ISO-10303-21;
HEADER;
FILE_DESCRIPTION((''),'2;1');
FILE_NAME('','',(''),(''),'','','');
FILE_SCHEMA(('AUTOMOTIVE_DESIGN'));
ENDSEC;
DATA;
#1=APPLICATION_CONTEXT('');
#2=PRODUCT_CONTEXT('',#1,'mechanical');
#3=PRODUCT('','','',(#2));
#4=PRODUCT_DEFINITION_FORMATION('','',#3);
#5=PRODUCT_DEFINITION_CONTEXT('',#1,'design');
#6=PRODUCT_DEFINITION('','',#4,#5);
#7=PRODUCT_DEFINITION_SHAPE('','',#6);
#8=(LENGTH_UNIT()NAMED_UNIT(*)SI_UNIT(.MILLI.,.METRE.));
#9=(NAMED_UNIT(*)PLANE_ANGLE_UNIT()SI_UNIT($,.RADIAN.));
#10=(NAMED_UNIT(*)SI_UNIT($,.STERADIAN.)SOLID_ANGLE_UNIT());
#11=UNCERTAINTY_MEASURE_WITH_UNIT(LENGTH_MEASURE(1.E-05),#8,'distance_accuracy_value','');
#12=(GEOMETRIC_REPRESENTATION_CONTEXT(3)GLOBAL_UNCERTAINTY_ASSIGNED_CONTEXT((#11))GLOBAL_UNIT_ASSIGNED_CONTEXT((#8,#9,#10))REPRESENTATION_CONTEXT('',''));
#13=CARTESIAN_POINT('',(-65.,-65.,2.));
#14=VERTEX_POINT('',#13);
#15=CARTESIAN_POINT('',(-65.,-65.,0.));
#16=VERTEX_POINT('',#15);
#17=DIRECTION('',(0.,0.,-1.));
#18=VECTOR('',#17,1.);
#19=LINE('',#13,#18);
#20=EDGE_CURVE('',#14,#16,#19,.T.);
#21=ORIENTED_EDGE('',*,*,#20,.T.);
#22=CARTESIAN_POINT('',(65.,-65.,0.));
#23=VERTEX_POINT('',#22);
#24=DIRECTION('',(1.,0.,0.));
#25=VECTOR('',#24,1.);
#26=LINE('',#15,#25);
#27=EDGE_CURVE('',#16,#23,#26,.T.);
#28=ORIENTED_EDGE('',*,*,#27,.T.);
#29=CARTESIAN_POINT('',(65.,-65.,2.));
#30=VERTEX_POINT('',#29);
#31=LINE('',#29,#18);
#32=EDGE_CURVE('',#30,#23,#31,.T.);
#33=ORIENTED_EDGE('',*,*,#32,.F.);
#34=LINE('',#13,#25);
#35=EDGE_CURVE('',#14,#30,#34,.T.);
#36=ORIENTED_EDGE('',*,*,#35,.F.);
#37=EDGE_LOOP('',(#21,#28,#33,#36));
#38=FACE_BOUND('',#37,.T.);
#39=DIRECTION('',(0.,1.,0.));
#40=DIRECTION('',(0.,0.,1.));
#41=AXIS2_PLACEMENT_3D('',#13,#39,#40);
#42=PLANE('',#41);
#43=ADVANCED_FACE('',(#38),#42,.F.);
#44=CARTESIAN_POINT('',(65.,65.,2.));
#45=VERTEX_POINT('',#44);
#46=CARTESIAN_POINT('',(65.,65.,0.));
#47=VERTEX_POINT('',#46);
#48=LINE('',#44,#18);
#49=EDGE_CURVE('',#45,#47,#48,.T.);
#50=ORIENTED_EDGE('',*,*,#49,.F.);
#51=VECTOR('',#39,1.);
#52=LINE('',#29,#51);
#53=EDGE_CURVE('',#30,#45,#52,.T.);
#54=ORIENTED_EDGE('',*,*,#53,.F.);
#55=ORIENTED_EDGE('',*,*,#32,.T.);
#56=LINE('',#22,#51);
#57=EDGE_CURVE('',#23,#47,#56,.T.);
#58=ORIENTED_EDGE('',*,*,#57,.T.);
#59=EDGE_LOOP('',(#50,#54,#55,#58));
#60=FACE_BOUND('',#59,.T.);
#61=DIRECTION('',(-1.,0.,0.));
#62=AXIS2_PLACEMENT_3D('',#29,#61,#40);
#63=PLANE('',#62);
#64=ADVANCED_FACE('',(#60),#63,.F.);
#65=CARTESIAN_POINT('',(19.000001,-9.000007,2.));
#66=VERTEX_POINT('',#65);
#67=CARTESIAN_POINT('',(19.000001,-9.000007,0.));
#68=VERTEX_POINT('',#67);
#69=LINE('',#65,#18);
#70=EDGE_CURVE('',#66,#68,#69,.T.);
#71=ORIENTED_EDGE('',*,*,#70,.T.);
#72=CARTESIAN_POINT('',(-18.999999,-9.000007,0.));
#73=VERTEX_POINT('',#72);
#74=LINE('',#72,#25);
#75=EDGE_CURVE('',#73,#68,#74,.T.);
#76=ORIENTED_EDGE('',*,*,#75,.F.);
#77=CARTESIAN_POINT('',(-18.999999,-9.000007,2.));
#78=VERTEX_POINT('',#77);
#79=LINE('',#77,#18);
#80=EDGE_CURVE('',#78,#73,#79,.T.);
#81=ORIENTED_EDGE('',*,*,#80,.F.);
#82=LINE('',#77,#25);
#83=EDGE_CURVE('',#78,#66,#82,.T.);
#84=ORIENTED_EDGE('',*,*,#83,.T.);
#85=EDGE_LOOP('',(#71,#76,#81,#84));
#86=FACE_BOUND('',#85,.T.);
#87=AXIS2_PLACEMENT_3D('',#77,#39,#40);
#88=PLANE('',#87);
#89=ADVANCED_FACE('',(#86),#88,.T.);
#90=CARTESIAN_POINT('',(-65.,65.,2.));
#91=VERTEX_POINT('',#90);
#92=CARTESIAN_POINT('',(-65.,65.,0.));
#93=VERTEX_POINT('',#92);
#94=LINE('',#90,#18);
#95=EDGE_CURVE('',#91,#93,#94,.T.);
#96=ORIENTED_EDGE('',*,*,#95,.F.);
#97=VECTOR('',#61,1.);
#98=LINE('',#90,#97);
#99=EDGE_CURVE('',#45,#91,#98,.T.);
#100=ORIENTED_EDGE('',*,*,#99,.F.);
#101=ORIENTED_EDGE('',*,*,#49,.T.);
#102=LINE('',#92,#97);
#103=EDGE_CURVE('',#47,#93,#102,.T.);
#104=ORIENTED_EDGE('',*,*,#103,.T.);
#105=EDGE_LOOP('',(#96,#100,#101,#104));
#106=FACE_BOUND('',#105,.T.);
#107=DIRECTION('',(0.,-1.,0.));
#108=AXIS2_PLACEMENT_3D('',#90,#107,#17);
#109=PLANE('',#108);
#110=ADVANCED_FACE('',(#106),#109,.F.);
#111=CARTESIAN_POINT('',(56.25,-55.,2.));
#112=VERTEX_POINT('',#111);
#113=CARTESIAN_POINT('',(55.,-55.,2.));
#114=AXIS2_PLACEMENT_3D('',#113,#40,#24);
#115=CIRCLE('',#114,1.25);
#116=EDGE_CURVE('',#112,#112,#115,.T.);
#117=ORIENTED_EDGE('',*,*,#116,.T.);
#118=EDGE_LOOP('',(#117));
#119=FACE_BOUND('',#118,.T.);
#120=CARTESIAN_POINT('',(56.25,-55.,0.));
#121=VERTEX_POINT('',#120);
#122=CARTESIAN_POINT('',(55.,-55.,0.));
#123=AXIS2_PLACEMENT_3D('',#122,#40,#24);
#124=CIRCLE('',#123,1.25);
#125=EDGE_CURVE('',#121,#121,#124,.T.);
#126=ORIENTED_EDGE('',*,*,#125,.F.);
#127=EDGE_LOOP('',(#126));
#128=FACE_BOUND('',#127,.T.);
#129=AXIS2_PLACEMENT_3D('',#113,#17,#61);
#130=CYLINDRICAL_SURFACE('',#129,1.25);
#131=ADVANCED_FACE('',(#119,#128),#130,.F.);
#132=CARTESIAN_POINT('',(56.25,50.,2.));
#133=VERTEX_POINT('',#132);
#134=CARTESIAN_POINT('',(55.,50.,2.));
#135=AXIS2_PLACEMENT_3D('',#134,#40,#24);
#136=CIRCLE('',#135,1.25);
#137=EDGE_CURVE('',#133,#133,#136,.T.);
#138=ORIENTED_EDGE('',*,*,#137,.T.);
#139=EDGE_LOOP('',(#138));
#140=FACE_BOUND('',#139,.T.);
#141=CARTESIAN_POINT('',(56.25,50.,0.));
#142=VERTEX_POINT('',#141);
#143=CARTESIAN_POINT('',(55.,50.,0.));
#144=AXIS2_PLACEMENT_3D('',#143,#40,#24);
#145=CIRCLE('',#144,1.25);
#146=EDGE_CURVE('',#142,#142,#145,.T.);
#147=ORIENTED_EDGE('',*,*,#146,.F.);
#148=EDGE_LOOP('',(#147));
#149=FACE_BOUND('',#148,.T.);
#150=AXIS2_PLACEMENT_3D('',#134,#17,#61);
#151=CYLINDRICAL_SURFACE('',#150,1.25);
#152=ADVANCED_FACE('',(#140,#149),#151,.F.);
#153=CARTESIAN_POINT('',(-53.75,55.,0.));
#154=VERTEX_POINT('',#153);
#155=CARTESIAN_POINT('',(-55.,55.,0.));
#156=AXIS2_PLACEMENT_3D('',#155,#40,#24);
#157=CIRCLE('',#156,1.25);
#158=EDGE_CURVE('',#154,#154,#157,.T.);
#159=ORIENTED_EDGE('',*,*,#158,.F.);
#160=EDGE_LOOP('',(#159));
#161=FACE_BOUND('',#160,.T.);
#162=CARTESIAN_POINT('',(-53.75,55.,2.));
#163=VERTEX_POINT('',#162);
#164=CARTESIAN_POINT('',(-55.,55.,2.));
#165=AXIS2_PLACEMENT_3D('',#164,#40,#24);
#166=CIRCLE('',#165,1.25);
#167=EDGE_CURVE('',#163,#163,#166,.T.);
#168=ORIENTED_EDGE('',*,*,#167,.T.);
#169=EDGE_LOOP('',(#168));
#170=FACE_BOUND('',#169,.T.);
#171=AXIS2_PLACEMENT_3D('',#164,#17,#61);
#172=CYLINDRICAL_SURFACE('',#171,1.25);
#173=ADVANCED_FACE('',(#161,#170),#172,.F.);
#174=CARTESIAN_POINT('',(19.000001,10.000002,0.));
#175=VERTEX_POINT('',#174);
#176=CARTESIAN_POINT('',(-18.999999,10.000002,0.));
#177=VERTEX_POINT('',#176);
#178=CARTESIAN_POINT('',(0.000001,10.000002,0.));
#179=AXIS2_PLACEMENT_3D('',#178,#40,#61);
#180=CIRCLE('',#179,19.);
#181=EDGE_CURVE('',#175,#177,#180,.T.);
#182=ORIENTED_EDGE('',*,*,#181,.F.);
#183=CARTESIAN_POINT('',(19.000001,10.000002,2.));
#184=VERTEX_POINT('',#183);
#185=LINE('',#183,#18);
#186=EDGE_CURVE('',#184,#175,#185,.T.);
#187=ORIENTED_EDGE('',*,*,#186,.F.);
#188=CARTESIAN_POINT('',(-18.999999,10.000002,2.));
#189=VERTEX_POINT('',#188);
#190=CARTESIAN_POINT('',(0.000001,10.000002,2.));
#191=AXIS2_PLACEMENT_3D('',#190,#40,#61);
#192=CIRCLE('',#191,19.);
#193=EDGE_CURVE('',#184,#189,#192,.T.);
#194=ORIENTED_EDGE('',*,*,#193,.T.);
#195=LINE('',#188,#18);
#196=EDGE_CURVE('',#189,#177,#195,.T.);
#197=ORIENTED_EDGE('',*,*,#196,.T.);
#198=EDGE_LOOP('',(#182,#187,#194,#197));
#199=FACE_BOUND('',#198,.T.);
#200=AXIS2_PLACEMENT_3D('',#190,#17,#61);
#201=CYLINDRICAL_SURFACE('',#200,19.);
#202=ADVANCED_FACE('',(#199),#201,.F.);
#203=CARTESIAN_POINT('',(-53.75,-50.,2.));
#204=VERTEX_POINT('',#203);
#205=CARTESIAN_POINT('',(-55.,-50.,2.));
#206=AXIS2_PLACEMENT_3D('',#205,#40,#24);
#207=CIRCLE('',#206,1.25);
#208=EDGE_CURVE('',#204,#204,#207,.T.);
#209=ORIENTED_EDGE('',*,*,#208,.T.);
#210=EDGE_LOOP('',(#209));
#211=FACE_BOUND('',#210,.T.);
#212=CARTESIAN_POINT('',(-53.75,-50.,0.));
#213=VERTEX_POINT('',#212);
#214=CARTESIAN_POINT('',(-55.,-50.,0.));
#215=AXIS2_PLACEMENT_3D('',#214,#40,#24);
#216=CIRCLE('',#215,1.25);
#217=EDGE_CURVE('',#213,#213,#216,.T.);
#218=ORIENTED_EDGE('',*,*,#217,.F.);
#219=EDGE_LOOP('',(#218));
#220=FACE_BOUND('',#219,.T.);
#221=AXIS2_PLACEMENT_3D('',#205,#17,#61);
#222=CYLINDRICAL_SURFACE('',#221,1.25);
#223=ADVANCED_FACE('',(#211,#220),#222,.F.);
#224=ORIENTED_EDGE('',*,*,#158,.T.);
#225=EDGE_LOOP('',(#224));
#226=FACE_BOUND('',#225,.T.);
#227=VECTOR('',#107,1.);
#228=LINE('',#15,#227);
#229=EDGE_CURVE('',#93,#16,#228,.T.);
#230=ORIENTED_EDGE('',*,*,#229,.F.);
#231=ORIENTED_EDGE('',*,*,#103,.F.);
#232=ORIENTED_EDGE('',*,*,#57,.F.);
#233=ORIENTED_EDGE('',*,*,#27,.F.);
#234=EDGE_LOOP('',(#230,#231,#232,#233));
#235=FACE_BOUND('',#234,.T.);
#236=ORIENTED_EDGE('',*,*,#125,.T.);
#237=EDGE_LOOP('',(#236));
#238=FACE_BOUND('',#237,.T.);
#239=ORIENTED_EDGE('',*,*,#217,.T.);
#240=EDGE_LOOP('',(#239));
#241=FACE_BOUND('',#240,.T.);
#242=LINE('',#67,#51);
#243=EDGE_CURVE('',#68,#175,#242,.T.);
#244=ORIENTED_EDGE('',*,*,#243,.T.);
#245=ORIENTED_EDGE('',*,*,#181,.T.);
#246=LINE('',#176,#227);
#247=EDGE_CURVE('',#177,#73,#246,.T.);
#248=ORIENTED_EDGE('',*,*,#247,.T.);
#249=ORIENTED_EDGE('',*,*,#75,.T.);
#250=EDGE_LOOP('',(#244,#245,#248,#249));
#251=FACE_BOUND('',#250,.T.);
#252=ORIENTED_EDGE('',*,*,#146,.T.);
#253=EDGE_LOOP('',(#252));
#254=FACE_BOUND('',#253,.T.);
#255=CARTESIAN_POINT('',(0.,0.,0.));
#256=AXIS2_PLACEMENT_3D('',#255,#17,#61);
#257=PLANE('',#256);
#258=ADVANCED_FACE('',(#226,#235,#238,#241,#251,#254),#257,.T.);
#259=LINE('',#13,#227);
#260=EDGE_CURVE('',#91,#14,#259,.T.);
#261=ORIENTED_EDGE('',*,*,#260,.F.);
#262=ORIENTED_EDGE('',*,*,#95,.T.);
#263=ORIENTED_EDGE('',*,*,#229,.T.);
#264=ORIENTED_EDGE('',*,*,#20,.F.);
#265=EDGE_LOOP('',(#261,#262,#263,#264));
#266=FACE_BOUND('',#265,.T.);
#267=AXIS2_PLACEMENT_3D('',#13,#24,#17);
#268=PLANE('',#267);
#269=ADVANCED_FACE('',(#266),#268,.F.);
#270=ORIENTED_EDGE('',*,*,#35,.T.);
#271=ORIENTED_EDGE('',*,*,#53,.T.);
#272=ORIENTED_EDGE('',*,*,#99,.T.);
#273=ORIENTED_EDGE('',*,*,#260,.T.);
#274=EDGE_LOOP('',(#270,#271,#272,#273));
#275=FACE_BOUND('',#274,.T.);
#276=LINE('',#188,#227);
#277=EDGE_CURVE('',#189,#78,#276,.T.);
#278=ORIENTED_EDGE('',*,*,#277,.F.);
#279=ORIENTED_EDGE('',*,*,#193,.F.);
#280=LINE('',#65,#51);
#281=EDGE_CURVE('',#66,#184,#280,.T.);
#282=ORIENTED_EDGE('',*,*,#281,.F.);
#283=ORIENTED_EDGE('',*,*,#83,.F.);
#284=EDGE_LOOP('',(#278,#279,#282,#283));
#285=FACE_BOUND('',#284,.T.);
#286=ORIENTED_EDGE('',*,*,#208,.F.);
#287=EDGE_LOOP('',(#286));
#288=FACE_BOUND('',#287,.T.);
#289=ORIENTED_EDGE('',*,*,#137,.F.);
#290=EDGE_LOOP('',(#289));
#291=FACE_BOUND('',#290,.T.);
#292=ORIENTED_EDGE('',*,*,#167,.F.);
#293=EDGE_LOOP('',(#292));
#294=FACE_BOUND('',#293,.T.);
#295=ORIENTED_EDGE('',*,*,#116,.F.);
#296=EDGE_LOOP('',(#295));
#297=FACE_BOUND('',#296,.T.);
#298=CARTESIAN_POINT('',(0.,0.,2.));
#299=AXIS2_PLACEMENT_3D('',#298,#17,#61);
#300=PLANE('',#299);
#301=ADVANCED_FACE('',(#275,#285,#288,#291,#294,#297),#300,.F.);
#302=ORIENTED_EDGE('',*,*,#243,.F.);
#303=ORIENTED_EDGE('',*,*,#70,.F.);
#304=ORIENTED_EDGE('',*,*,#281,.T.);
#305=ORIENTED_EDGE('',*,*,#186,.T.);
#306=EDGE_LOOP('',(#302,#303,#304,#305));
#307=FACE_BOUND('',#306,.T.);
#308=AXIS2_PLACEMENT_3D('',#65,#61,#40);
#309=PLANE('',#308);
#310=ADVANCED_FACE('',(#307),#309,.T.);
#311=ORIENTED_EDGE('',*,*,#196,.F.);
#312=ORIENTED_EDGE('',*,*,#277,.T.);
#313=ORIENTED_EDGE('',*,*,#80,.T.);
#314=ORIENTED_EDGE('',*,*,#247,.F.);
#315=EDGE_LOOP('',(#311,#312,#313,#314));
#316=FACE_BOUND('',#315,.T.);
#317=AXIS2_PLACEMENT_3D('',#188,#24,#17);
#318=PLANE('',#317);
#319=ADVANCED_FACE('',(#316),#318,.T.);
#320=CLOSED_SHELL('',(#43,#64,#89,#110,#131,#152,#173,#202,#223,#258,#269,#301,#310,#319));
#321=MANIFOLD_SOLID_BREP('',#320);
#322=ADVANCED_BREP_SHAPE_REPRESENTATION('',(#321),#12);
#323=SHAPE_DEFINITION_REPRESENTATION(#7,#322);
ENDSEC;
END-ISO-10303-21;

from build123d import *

# Parameters (mm, degrees)
SKETCH_1_W      = 130
SKETCH_1_H      = 130
SKETCH_1_R      = 1.25
EXTRUDE_1_DEPTH = 2


with BuildPart() as part:
    # Эскиз1 → Бобышка-Вытянуть1 (new body)
    with BuildSketch(Plane.XY):
        Rectangle(SKETCH_1_W, SKETCH_1_H)
        with Locations((-55, 55)):
            Circle(SKETCH_1_R, mode=Mode.SUBTRACT)
        with Locations((55, 50)):
            Circle(SKETCH_1_R, mode=Mode.SUBTRACT)
        with Locations((55, -55)):
            Circle(SKETCH_1_R, mode=Mode.SUBTRACT)
        with Locations((-55, -50)):
            Circle(SKETCH_1_R, mode=Mode.SUBTRACT)
        with BuildLine():
            Line((-18.999998719, 10.000001538), (-18.999998719, -9.000007164))
            Line((-18.999998719, -9.000007164), (19.000000929, -9.000007164))
            Line((19.000000929, -9.000007164), (19.000000929, 10.000001538))
            ThreePointArc((19.000000929, 10.000001538), (1.105e-06, 29.000001361), (-18.999998719, 10.000001538))
        make_face(mode=Mode.SUBTRACT)
    extrude(amount=EXTRUDE_1_DEPTH)


solid = part.part
